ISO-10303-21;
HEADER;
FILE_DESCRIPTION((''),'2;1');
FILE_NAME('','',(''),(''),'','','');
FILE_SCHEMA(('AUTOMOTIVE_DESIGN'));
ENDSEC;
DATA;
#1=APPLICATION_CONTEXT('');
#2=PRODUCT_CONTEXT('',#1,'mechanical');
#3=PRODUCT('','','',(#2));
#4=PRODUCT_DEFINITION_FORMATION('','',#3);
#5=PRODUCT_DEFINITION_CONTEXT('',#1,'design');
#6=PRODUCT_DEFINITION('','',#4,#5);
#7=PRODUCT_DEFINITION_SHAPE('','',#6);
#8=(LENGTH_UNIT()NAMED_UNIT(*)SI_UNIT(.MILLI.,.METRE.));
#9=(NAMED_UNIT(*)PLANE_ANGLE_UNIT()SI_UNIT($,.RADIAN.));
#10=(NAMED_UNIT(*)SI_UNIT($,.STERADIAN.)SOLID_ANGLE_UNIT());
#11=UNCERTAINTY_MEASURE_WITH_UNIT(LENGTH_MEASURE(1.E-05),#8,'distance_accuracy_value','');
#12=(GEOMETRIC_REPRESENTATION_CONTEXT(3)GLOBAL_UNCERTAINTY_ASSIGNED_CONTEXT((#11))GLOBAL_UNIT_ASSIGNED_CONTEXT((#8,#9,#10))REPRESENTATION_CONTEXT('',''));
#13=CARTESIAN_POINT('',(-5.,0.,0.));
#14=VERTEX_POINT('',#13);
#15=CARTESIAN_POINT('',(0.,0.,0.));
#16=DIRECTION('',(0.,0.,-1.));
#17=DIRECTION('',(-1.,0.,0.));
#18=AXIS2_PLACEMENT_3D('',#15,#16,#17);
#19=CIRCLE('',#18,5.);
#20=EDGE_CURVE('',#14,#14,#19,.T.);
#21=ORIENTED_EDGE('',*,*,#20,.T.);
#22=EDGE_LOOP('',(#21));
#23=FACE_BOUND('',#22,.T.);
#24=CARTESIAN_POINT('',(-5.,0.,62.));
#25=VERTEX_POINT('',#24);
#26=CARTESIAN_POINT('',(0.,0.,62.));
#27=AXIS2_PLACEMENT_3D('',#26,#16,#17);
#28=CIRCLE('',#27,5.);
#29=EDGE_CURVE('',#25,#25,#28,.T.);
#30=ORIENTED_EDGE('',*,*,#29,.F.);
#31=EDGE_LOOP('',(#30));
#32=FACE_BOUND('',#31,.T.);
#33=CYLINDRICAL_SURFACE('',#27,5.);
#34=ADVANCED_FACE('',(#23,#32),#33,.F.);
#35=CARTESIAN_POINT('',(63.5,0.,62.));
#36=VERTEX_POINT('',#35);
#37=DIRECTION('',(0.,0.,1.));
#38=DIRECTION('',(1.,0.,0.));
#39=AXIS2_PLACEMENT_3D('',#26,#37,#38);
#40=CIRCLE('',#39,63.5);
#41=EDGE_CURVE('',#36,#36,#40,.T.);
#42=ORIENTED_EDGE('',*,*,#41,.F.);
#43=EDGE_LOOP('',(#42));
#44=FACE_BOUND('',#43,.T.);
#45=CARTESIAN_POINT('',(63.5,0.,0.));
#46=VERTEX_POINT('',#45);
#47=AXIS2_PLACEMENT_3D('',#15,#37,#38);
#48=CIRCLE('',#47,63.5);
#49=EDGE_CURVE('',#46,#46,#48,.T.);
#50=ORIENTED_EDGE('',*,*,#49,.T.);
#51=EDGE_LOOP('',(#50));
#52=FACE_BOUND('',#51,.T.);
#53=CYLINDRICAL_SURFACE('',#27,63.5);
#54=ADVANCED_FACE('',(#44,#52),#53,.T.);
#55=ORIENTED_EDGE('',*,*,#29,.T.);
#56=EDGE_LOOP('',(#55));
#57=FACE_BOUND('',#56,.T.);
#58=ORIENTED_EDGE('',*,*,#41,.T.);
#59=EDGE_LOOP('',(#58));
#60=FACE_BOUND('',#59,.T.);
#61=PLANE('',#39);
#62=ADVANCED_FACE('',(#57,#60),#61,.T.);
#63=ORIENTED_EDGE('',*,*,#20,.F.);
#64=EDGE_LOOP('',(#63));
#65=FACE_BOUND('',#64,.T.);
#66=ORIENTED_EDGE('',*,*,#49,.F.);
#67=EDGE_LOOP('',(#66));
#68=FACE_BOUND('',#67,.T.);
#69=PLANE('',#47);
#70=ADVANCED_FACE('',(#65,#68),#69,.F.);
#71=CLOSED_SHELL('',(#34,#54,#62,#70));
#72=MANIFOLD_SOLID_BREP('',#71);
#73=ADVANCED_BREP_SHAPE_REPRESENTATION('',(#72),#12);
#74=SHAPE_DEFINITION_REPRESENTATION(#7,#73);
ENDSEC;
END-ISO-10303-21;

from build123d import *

# Parameters (mm, degrees)
SKETCH1_R           = 63.5
BOSS_EXTRUDE1_DEPTH = 62
SKETCH2_R           = 5
CUT_EXTRUDE1_DEPTH  = 63


with BuildPart() as part:
    # Sketch1 → Boss-Extrude1 (new body)
    with BuildSketch(Plane.XY):
        Circle(SKETCH1_R)
    extrude(amount=BOSS_EXTRUDE1_DEPTH)

    # Sketch2 → Cut-Extrude1 (cut, through all)
    with BuildSketch(Plane(origin=(0, 0, 0), x_dir=(-1, 0, 0), z_dir=(0, 0, -1))):
        Circle(SKETCH2_R)
    extrude(amount=-CUT_EXTRUDE1_DEPTH, mode=Mode.SUBTRACT)


solid = part.part
